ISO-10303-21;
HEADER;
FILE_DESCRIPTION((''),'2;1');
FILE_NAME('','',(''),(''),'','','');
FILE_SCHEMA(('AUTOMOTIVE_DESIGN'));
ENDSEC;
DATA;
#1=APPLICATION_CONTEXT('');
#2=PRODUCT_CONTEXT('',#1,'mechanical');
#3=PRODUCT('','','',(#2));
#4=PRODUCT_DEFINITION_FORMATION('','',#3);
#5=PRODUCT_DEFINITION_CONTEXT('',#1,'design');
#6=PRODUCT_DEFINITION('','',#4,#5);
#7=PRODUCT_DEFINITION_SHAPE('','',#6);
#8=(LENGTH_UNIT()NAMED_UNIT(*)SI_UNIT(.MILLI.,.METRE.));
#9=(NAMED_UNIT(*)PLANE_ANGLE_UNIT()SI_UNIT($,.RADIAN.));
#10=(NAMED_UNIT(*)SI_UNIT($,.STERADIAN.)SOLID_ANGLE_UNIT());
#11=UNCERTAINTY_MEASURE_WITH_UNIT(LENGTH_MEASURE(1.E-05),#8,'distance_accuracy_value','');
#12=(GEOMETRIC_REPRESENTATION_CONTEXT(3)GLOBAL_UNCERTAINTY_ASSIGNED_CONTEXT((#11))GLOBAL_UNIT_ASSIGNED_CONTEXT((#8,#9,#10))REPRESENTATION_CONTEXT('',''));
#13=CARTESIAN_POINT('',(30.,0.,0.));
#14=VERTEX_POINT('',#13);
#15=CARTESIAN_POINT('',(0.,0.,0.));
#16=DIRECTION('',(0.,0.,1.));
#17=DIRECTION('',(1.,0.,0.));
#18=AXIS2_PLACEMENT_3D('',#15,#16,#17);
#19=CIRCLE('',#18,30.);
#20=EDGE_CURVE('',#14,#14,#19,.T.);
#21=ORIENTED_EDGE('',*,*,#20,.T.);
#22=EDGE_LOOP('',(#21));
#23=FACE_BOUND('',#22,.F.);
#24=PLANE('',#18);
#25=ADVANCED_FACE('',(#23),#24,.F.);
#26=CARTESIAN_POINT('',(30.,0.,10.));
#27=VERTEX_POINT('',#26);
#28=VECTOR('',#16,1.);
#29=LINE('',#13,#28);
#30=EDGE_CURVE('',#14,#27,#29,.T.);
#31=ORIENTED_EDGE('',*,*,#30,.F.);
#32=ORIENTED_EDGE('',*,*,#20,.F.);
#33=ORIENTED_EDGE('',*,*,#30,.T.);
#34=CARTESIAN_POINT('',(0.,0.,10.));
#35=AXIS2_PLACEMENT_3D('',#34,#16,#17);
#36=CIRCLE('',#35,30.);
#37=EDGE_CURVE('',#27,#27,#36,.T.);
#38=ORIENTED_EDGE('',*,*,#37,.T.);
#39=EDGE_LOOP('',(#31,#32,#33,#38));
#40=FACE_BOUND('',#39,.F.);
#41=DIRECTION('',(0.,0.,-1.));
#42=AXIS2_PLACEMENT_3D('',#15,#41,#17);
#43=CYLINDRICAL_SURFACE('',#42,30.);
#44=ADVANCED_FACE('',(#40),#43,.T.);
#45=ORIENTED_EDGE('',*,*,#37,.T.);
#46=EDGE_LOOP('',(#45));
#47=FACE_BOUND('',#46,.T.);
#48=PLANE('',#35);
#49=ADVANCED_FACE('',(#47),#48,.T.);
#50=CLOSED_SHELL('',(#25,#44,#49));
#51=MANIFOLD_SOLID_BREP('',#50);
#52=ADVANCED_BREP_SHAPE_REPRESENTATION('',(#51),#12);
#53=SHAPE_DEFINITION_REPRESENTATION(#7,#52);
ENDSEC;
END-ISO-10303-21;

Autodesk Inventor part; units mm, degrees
ref_plane "YZ Plane" through (0, 0, 0) normal (1, 0, 0) x (0, 1, 0)
ref_plane "XZ Plane" through (0, 0, 0) normal (0, 1, 0) x (-1, 0, 0)
ref_plane "XY Plane" through (0, 0, 0) normal (0, 0, 1) x (1, 0, 0)
sketch "Эскиз1" plane through (0, 0, 0) normal (0, 0, 1) x (1, 0, 0)
  circle A0 centre (0, 0) radius 30
  dimension "d0" = 60
extrude "Выдавливание1" add sketch "Эскиз1" along normal blind 10
